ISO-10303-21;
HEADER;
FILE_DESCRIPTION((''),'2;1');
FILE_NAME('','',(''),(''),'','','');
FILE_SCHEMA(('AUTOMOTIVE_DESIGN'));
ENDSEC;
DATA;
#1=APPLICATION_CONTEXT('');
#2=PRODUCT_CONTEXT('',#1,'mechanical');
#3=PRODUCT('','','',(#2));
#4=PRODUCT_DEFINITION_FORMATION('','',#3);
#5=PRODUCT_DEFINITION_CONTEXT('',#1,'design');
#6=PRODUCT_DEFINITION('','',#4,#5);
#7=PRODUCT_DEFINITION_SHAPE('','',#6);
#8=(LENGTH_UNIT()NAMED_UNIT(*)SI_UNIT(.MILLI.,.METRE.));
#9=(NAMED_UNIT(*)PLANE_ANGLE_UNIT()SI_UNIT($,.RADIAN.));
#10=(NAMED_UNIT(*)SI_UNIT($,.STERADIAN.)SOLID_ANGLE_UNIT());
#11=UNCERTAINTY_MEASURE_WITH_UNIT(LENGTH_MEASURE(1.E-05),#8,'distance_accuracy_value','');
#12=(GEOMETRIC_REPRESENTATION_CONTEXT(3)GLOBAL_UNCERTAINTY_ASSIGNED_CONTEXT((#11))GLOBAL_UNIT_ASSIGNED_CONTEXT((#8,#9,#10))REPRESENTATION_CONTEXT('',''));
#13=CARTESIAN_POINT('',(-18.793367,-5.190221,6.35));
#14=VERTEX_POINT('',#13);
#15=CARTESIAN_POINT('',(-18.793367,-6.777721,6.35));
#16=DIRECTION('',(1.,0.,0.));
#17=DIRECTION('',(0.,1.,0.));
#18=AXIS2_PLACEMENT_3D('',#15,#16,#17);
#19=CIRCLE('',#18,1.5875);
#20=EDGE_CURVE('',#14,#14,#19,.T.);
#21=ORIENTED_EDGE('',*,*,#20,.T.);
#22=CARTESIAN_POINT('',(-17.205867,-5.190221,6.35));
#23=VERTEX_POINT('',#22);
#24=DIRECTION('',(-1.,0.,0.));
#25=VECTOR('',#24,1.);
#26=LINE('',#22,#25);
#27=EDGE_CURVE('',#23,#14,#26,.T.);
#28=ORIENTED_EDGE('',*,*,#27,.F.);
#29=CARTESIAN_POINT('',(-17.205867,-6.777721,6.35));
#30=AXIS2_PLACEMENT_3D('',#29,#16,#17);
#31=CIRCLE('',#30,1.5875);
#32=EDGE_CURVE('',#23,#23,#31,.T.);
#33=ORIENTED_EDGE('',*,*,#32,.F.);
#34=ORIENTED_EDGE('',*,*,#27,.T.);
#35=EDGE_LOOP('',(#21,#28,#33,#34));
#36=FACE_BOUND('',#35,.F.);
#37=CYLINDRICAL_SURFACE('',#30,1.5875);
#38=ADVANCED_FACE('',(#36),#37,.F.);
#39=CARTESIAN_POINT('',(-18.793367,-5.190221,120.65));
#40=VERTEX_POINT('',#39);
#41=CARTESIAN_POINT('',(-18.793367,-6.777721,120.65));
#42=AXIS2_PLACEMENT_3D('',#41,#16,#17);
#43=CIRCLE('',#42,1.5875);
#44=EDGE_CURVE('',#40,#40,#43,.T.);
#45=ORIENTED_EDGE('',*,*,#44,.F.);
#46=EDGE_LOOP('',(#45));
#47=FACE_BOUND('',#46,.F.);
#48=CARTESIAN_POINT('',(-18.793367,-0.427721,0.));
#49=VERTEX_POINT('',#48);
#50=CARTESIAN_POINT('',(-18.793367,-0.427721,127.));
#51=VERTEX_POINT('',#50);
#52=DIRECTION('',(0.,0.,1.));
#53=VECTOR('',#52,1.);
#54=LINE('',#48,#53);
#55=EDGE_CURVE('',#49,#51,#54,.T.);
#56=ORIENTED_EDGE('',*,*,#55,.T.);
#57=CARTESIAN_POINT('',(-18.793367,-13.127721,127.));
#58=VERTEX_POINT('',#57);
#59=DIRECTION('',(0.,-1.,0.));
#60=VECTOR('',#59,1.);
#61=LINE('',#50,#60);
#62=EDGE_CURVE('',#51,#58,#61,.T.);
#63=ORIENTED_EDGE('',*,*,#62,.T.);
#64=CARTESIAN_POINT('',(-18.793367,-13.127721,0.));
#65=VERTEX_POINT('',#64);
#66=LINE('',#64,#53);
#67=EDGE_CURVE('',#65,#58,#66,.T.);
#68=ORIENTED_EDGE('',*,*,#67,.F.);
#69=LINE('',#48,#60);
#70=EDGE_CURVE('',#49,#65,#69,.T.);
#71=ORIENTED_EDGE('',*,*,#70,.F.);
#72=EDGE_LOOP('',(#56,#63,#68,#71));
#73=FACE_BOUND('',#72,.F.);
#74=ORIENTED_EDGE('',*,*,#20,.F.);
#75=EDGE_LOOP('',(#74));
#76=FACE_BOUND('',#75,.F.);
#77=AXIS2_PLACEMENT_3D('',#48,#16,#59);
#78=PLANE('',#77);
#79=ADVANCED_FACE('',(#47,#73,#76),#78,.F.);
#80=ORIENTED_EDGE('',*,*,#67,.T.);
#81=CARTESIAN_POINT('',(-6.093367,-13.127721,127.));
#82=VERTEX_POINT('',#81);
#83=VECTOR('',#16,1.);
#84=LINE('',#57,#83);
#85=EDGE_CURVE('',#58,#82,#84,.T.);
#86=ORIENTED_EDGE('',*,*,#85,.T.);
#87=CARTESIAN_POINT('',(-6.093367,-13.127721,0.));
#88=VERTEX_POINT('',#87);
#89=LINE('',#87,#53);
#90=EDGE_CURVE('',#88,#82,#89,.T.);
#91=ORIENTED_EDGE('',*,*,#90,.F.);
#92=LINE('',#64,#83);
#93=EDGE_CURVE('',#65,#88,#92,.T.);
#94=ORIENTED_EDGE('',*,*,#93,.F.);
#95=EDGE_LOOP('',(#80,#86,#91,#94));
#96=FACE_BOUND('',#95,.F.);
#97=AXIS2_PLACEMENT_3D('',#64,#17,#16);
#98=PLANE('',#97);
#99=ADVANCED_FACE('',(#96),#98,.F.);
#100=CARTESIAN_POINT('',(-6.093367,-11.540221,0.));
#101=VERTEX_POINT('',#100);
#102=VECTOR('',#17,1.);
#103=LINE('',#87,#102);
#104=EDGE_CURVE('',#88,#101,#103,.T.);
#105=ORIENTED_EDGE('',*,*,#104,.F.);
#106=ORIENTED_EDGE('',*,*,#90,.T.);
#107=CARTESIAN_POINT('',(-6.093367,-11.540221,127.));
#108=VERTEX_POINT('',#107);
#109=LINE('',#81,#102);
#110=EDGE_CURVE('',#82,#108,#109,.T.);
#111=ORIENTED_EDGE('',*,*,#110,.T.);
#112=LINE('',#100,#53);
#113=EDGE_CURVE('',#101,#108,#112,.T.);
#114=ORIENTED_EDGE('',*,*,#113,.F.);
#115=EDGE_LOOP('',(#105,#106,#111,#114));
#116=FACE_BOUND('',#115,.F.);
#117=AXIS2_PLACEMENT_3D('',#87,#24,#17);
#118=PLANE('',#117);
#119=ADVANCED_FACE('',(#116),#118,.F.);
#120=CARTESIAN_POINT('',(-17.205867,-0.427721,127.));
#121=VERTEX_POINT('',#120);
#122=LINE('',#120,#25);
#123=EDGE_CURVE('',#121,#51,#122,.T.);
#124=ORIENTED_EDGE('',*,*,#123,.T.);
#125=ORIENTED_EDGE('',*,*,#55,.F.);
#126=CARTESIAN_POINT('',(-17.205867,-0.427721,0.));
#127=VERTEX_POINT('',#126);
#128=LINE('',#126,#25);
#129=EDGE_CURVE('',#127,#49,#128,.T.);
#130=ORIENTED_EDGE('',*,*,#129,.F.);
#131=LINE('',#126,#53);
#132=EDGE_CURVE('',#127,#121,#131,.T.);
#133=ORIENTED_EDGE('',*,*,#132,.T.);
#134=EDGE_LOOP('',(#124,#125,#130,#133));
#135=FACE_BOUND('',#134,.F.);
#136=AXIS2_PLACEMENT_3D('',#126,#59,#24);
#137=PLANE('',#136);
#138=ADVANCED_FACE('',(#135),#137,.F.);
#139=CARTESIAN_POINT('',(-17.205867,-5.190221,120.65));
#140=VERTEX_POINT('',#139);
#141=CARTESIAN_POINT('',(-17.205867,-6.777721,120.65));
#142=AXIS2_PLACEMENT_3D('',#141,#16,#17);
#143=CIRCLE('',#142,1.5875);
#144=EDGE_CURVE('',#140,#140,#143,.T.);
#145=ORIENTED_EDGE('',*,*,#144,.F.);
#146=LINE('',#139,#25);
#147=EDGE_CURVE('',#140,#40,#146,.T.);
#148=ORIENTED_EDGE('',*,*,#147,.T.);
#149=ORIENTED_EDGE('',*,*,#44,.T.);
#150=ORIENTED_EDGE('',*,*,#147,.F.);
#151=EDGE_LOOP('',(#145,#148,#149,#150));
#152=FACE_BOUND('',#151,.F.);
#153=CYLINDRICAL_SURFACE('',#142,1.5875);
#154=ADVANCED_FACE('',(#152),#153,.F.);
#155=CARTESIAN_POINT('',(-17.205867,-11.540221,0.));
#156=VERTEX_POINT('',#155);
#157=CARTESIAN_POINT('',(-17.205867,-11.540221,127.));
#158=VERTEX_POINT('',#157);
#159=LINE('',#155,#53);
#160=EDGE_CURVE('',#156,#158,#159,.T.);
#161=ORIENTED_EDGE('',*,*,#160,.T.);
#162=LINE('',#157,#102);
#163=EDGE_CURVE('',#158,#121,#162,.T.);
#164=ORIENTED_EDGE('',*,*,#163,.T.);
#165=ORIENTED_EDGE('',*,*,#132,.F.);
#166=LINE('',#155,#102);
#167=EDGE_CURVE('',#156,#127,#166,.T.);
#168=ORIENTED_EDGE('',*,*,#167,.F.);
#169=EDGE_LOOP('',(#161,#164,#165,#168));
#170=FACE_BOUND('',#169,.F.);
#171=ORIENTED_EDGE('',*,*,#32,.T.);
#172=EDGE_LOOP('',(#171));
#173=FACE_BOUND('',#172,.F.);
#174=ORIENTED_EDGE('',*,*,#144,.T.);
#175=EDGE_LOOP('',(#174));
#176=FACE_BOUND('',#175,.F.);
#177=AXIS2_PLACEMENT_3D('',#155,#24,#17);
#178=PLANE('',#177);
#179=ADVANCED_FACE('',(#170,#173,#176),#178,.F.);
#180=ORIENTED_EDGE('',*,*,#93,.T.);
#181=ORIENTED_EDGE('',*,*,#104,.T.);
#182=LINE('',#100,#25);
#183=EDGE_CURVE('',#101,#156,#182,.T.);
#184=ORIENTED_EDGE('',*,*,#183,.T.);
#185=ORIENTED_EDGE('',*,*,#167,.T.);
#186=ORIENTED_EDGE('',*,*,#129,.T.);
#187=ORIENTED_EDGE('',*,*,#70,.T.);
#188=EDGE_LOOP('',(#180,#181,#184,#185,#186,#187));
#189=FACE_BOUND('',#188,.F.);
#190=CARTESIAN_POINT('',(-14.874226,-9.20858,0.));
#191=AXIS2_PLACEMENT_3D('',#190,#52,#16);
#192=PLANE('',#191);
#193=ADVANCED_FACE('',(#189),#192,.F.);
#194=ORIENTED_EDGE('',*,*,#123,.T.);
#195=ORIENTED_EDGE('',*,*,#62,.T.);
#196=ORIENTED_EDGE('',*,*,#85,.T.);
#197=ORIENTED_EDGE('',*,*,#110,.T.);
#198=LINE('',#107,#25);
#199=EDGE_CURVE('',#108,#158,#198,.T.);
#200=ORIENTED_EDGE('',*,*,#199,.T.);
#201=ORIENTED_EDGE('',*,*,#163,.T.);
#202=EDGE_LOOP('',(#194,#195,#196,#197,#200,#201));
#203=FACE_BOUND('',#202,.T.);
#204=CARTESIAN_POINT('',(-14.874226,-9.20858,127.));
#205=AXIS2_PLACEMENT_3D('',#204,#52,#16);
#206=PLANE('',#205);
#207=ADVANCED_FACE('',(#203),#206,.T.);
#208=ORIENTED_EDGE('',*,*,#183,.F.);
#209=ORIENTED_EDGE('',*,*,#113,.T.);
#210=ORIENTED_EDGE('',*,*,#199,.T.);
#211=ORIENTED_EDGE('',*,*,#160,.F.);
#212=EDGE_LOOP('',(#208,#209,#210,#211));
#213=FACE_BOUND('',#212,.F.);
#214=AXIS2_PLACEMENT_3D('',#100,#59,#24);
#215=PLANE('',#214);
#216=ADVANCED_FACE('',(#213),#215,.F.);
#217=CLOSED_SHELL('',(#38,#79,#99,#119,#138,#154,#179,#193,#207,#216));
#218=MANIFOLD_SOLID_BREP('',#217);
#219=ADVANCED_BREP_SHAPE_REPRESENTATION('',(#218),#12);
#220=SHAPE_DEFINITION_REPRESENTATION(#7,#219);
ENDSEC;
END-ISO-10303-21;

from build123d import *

# Parameters (mm, degrees)
F1_DEPTH = 127
F3_R     = 1.5875
F4_DEPTH = 25.4


with BuildPart() as f1:
    # F0 (on Top) → F1 (new body)
    with BuildSketch(Plane.XY):
        Polygon((-17.205867, -0.427721), (-18.793367, -0.427721), (-18.793367, -13.127721), (-6.093367, -13.127721), (-6.093367, -11.540221), (-17.205867, -11.540221), align=None)
    extrude(amount=F1_DEPTH)

    # F3 (on face) → F4 (cut)
    with BuildSketch(Plane.YZ.offset(-17.205867)):
        with Locations((-6.777721, 6.35)):
            Circle(F3_R)
        with Locations((-6.777721, 120.65)):
            Circle(F3_R)
    extrude(amount=-F4_DEPTH, mode=Mode.SUBTRACT)


solid = f1.part
